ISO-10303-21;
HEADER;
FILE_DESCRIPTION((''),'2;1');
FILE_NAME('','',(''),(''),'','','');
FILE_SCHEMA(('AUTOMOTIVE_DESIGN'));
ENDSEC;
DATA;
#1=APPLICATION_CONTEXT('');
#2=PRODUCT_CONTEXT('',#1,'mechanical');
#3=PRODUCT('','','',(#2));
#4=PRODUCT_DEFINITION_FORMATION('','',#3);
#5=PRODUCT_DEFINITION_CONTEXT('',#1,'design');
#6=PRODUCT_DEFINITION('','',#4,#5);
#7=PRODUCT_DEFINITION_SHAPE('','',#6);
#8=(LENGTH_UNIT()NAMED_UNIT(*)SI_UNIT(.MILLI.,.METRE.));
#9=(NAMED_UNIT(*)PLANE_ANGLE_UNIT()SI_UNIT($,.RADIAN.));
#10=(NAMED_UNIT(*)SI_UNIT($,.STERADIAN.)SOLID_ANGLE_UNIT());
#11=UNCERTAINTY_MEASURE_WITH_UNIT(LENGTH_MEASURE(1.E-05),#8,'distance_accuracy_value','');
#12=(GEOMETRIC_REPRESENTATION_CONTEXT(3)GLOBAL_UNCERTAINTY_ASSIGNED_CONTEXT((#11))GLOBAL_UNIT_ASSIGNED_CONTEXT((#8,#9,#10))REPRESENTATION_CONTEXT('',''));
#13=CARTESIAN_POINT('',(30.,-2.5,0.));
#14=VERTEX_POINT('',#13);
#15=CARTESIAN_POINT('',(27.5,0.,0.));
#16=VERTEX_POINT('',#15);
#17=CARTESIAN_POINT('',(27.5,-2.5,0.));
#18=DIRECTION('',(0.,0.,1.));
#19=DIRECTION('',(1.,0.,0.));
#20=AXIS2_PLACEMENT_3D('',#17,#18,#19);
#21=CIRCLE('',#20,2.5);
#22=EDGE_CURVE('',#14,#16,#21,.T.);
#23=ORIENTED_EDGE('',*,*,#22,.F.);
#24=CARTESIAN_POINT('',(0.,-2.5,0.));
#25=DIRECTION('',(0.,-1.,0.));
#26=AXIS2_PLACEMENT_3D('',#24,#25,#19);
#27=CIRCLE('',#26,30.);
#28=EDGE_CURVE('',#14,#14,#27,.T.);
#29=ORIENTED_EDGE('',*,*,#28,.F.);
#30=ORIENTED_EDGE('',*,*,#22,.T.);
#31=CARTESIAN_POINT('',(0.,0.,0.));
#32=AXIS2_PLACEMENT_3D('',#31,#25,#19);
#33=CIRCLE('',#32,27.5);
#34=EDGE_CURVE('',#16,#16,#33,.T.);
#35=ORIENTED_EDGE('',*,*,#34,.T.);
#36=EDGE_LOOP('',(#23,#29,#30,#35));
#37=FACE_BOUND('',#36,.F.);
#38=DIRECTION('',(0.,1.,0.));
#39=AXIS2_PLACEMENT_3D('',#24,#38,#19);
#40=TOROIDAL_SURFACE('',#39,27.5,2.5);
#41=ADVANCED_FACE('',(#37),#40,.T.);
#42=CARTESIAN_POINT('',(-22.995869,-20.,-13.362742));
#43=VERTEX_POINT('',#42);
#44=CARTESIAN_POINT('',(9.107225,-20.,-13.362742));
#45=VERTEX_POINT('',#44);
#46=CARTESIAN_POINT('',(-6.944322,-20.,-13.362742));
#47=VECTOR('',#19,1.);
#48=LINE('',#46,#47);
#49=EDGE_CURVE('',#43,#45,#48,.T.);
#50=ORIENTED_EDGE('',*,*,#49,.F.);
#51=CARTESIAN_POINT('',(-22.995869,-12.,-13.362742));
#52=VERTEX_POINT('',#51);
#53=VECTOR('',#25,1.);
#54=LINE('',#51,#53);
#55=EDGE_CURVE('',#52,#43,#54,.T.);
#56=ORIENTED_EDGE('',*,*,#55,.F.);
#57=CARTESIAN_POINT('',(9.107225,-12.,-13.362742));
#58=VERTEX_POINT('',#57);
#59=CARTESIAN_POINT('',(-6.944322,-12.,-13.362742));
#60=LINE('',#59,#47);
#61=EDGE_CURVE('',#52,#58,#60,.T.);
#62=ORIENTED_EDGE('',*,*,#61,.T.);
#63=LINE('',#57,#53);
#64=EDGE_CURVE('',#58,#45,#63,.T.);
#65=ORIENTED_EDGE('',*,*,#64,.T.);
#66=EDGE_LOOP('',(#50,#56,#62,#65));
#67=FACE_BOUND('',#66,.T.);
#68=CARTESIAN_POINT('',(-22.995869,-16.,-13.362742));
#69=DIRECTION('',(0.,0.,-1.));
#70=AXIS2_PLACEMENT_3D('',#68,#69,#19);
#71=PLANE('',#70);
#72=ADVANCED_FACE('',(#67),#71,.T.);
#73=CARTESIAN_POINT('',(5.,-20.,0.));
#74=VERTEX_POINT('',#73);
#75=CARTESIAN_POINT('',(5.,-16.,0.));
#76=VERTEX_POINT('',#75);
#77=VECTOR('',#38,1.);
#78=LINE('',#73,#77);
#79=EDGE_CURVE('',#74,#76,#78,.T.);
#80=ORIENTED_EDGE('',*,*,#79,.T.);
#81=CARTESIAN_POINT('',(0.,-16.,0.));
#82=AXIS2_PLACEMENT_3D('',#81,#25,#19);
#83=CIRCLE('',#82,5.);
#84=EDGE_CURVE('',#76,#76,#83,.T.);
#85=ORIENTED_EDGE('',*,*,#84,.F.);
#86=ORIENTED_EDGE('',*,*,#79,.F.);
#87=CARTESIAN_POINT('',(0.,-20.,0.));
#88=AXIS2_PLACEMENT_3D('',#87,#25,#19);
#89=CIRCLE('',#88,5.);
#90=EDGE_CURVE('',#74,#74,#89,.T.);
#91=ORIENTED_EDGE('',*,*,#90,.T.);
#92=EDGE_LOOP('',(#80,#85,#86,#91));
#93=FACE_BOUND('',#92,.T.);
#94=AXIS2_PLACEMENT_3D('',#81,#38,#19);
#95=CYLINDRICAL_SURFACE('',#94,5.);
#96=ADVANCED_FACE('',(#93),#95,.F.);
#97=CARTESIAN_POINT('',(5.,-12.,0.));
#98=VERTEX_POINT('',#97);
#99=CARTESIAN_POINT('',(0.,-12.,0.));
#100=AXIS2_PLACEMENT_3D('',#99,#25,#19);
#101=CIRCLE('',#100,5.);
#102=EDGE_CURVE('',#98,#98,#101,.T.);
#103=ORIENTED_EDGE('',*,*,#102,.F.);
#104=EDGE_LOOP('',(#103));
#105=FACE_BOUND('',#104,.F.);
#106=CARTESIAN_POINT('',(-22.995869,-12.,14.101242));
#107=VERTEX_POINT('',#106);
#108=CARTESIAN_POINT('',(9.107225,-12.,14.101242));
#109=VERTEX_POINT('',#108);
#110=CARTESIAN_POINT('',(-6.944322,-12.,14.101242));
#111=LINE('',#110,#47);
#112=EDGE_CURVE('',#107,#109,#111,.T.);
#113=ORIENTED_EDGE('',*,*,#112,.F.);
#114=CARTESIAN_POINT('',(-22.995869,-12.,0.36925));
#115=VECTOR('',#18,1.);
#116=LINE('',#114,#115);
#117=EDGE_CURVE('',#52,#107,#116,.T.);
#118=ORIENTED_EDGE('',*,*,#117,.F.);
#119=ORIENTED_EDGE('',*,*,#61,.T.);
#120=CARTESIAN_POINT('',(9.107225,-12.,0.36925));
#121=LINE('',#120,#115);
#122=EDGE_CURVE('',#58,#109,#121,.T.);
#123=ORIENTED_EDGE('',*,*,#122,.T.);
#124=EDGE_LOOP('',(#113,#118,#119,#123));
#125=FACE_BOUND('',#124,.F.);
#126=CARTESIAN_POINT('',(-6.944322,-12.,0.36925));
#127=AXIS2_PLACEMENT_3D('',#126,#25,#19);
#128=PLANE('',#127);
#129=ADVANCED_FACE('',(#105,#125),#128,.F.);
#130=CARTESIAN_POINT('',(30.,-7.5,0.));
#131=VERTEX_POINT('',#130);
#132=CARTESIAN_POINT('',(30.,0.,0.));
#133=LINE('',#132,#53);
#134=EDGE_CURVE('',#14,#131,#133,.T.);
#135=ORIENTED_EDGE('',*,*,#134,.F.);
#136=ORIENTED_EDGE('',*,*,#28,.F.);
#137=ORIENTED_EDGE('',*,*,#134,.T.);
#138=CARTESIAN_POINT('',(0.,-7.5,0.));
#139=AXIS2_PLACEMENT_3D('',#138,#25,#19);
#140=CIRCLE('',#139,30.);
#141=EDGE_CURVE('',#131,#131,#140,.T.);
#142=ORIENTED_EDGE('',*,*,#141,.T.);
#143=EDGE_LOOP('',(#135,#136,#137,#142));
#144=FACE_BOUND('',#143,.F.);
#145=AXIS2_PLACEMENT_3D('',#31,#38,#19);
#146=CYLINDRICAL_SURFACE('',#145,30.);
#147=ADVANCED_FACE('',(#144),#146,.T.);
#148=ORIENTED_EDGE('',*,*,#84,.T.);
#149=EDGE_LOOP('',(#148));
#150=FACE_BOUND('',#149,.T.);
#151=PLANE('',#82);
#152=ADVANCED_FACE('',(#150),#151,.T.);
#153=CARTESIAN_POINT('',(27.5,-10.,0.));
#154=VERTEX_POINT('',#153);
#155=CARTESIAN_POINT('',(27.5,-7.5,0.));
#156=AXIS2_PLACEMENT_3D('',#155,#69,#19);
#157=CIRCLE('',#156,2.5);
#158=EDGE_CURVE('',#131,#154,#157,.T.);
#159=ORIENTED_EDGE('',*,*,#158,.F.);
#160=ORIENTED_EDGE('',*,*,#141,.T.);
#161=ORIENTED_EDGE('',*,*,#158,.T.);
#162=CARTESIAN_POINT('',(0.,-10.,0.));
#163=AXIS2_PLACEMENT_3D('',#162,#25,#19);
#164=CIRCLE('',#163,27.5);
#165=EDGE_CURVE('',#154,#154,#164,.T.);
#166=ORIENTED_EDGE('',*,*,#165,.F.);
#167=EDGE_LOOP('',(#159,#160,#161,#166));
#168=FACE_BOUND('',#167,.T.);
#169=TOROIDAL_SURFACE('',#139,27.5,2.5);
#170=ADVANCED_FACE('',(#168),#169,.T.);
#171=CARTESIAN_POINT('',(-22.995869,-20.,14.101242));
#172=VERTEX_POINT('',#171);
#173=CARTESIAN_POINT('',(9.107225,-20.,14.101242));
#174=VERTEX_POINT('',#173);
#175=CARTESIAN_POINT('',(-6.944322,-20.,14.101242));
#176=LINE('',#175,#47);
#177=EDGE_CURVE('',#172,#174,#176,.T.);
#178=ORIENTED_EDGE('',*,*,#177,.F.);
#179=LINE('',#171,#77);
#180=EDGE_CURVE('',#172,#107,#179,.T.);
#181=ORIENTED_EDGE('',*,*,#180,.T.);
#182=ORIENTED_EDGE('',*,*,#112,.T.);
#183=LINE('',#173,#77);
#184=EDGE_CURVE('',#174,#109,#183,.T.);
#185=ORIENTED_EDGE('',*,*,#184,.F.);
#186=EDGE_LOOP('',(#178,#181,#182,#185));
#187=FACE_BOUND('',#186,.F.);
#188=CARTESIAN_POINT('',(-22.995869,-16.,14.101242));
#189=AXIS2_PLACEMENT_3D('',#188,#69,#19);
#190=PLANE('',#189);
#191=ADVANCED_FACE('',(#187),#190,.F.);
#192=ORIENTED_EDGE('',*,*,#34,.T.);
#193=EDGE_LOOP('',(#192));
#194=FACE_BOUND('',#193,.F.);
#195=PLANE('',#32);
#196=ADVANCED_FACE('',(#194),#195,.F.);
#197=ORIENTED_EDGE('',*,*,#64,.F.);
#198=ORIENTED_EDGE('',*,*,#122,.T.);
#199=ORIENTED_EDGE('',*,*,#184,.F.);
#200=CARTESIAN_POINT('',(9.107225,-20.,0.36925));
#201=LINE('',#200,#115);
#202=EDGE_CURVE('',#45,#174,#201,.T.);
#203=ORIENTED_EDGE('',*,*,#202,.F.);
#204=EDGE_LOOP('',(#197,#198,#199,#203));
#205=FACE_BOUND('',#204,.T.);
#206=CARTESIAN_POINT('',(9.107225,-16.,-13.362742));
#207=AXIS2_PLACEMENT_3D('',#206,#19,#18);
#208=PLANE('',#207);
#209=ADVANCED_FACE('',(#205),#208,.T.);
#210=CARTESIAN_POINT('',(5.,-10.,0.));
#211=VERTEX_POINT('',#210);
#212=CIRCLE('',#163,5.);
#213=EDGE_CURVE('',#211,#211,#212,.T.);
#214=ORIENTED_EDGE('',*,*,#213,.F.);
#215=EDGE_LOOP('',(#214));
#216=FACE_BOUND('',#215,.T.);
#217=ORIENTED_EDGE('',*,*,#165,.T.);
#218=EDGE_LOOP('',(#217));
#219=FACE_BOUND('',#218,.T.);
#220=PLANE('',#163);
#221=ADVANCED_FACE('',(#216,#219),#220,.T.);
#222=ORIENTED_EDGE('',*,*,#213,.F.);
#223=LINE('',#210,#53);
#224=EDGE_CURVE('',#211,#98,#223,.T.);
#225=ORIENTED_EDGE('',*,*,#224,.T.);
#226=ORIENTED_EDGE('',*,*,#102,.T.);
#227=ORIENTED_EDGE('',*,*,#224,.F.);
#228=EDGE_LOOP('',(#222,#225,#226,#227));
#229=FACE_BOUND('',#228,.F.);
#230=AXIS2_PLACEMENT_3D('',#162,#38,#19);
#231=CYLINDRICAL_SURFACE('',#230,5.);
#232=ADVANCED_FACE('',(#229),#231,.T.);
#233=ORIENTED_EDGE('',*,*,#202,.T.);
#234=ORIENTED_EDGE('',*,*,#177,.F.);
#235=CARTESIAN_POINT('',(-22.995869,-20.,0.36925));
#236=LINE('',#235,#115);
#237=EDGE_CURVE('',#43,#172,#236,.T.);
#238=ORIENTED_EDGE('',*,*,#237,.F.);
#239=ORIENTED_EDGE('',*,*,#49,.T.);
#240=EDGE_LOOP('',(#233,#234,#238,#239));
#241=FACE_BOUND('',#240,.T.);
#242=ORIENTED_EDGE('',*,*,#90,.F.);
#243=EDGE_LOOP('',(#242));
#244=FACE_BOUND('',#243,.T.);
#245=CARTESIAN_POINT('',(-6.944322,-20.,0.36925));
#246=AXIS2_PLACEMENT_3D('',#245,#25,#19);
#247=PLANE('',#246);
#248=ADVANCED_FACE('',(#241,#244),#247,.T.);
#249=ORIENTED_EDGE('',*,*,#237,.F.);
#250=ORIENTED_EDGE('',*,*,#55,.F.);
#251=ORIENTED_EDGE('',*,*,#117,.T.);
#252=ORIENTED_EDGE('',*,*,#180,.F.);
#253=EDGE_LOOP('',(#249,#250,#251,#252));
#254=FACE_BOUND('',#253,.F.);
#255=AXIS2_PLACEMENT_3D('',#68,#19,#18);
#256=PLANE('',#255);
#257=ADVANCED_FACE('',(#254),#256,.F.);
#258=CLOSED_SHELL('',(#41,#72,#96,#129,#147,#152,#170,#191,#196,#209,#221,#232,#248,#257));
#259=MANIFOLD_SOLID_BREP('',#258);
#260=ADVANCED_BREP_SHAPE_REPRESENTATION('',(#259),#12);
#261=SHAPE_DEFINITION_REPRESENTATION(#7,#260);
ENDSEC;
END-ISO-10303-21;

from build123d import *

# Parameters (mm, degrees)
F0_R     = 30
F1_DEPTH = 10
F2_R     = 2.5
F3_R     = 2.5
F4_R     = 5
F5_DEPTH = 6
F6_W     = 32.103093341
F6_H     = 27.4639837444
F6_R     = 5
F7_DEPTH = 4


with BuildPart() as f1:
    # F0 (on Front) → F1 (new body)
    with BuildSketch(Plane.XZ):
        Circle(F0_R)
    extrude(amount=F1_DEPTH)

    # F2
    f2_edges = [f1.edges().sort_by_distance(p)[0] for p in [
        (-30, -10, 0),
    ]]
    fillet(f2_edges, radius=F2_R)

    # F3
    f3_edges = [f1.edges().sort_by_distance(p)[0] for p in [
        (-30, 0, 0),
        (-27.5, -10, 0),
    ]]
    fillet(f3_edges, radius=F3_R)

    # F4 (on face) → F5 (join)
    with BuildSketch(Plane.XZ.offset(10)):
        Circle(F4_R)
    extrude(amount=F5_DEPTH)

    # F6 (on face) → F7 (join, symmetric)
    with BuildSketch(Plane.XZ.offset(16)):
        with Locations((-6.9443220273, 0.3692498431)):
            Rectangle(F6_W, F6_H)
        Circle(F6_R, mode=Mode.SUBTRACT)
    extrude(amount=F7_DEPTH, both=True)


solid = f1.part
